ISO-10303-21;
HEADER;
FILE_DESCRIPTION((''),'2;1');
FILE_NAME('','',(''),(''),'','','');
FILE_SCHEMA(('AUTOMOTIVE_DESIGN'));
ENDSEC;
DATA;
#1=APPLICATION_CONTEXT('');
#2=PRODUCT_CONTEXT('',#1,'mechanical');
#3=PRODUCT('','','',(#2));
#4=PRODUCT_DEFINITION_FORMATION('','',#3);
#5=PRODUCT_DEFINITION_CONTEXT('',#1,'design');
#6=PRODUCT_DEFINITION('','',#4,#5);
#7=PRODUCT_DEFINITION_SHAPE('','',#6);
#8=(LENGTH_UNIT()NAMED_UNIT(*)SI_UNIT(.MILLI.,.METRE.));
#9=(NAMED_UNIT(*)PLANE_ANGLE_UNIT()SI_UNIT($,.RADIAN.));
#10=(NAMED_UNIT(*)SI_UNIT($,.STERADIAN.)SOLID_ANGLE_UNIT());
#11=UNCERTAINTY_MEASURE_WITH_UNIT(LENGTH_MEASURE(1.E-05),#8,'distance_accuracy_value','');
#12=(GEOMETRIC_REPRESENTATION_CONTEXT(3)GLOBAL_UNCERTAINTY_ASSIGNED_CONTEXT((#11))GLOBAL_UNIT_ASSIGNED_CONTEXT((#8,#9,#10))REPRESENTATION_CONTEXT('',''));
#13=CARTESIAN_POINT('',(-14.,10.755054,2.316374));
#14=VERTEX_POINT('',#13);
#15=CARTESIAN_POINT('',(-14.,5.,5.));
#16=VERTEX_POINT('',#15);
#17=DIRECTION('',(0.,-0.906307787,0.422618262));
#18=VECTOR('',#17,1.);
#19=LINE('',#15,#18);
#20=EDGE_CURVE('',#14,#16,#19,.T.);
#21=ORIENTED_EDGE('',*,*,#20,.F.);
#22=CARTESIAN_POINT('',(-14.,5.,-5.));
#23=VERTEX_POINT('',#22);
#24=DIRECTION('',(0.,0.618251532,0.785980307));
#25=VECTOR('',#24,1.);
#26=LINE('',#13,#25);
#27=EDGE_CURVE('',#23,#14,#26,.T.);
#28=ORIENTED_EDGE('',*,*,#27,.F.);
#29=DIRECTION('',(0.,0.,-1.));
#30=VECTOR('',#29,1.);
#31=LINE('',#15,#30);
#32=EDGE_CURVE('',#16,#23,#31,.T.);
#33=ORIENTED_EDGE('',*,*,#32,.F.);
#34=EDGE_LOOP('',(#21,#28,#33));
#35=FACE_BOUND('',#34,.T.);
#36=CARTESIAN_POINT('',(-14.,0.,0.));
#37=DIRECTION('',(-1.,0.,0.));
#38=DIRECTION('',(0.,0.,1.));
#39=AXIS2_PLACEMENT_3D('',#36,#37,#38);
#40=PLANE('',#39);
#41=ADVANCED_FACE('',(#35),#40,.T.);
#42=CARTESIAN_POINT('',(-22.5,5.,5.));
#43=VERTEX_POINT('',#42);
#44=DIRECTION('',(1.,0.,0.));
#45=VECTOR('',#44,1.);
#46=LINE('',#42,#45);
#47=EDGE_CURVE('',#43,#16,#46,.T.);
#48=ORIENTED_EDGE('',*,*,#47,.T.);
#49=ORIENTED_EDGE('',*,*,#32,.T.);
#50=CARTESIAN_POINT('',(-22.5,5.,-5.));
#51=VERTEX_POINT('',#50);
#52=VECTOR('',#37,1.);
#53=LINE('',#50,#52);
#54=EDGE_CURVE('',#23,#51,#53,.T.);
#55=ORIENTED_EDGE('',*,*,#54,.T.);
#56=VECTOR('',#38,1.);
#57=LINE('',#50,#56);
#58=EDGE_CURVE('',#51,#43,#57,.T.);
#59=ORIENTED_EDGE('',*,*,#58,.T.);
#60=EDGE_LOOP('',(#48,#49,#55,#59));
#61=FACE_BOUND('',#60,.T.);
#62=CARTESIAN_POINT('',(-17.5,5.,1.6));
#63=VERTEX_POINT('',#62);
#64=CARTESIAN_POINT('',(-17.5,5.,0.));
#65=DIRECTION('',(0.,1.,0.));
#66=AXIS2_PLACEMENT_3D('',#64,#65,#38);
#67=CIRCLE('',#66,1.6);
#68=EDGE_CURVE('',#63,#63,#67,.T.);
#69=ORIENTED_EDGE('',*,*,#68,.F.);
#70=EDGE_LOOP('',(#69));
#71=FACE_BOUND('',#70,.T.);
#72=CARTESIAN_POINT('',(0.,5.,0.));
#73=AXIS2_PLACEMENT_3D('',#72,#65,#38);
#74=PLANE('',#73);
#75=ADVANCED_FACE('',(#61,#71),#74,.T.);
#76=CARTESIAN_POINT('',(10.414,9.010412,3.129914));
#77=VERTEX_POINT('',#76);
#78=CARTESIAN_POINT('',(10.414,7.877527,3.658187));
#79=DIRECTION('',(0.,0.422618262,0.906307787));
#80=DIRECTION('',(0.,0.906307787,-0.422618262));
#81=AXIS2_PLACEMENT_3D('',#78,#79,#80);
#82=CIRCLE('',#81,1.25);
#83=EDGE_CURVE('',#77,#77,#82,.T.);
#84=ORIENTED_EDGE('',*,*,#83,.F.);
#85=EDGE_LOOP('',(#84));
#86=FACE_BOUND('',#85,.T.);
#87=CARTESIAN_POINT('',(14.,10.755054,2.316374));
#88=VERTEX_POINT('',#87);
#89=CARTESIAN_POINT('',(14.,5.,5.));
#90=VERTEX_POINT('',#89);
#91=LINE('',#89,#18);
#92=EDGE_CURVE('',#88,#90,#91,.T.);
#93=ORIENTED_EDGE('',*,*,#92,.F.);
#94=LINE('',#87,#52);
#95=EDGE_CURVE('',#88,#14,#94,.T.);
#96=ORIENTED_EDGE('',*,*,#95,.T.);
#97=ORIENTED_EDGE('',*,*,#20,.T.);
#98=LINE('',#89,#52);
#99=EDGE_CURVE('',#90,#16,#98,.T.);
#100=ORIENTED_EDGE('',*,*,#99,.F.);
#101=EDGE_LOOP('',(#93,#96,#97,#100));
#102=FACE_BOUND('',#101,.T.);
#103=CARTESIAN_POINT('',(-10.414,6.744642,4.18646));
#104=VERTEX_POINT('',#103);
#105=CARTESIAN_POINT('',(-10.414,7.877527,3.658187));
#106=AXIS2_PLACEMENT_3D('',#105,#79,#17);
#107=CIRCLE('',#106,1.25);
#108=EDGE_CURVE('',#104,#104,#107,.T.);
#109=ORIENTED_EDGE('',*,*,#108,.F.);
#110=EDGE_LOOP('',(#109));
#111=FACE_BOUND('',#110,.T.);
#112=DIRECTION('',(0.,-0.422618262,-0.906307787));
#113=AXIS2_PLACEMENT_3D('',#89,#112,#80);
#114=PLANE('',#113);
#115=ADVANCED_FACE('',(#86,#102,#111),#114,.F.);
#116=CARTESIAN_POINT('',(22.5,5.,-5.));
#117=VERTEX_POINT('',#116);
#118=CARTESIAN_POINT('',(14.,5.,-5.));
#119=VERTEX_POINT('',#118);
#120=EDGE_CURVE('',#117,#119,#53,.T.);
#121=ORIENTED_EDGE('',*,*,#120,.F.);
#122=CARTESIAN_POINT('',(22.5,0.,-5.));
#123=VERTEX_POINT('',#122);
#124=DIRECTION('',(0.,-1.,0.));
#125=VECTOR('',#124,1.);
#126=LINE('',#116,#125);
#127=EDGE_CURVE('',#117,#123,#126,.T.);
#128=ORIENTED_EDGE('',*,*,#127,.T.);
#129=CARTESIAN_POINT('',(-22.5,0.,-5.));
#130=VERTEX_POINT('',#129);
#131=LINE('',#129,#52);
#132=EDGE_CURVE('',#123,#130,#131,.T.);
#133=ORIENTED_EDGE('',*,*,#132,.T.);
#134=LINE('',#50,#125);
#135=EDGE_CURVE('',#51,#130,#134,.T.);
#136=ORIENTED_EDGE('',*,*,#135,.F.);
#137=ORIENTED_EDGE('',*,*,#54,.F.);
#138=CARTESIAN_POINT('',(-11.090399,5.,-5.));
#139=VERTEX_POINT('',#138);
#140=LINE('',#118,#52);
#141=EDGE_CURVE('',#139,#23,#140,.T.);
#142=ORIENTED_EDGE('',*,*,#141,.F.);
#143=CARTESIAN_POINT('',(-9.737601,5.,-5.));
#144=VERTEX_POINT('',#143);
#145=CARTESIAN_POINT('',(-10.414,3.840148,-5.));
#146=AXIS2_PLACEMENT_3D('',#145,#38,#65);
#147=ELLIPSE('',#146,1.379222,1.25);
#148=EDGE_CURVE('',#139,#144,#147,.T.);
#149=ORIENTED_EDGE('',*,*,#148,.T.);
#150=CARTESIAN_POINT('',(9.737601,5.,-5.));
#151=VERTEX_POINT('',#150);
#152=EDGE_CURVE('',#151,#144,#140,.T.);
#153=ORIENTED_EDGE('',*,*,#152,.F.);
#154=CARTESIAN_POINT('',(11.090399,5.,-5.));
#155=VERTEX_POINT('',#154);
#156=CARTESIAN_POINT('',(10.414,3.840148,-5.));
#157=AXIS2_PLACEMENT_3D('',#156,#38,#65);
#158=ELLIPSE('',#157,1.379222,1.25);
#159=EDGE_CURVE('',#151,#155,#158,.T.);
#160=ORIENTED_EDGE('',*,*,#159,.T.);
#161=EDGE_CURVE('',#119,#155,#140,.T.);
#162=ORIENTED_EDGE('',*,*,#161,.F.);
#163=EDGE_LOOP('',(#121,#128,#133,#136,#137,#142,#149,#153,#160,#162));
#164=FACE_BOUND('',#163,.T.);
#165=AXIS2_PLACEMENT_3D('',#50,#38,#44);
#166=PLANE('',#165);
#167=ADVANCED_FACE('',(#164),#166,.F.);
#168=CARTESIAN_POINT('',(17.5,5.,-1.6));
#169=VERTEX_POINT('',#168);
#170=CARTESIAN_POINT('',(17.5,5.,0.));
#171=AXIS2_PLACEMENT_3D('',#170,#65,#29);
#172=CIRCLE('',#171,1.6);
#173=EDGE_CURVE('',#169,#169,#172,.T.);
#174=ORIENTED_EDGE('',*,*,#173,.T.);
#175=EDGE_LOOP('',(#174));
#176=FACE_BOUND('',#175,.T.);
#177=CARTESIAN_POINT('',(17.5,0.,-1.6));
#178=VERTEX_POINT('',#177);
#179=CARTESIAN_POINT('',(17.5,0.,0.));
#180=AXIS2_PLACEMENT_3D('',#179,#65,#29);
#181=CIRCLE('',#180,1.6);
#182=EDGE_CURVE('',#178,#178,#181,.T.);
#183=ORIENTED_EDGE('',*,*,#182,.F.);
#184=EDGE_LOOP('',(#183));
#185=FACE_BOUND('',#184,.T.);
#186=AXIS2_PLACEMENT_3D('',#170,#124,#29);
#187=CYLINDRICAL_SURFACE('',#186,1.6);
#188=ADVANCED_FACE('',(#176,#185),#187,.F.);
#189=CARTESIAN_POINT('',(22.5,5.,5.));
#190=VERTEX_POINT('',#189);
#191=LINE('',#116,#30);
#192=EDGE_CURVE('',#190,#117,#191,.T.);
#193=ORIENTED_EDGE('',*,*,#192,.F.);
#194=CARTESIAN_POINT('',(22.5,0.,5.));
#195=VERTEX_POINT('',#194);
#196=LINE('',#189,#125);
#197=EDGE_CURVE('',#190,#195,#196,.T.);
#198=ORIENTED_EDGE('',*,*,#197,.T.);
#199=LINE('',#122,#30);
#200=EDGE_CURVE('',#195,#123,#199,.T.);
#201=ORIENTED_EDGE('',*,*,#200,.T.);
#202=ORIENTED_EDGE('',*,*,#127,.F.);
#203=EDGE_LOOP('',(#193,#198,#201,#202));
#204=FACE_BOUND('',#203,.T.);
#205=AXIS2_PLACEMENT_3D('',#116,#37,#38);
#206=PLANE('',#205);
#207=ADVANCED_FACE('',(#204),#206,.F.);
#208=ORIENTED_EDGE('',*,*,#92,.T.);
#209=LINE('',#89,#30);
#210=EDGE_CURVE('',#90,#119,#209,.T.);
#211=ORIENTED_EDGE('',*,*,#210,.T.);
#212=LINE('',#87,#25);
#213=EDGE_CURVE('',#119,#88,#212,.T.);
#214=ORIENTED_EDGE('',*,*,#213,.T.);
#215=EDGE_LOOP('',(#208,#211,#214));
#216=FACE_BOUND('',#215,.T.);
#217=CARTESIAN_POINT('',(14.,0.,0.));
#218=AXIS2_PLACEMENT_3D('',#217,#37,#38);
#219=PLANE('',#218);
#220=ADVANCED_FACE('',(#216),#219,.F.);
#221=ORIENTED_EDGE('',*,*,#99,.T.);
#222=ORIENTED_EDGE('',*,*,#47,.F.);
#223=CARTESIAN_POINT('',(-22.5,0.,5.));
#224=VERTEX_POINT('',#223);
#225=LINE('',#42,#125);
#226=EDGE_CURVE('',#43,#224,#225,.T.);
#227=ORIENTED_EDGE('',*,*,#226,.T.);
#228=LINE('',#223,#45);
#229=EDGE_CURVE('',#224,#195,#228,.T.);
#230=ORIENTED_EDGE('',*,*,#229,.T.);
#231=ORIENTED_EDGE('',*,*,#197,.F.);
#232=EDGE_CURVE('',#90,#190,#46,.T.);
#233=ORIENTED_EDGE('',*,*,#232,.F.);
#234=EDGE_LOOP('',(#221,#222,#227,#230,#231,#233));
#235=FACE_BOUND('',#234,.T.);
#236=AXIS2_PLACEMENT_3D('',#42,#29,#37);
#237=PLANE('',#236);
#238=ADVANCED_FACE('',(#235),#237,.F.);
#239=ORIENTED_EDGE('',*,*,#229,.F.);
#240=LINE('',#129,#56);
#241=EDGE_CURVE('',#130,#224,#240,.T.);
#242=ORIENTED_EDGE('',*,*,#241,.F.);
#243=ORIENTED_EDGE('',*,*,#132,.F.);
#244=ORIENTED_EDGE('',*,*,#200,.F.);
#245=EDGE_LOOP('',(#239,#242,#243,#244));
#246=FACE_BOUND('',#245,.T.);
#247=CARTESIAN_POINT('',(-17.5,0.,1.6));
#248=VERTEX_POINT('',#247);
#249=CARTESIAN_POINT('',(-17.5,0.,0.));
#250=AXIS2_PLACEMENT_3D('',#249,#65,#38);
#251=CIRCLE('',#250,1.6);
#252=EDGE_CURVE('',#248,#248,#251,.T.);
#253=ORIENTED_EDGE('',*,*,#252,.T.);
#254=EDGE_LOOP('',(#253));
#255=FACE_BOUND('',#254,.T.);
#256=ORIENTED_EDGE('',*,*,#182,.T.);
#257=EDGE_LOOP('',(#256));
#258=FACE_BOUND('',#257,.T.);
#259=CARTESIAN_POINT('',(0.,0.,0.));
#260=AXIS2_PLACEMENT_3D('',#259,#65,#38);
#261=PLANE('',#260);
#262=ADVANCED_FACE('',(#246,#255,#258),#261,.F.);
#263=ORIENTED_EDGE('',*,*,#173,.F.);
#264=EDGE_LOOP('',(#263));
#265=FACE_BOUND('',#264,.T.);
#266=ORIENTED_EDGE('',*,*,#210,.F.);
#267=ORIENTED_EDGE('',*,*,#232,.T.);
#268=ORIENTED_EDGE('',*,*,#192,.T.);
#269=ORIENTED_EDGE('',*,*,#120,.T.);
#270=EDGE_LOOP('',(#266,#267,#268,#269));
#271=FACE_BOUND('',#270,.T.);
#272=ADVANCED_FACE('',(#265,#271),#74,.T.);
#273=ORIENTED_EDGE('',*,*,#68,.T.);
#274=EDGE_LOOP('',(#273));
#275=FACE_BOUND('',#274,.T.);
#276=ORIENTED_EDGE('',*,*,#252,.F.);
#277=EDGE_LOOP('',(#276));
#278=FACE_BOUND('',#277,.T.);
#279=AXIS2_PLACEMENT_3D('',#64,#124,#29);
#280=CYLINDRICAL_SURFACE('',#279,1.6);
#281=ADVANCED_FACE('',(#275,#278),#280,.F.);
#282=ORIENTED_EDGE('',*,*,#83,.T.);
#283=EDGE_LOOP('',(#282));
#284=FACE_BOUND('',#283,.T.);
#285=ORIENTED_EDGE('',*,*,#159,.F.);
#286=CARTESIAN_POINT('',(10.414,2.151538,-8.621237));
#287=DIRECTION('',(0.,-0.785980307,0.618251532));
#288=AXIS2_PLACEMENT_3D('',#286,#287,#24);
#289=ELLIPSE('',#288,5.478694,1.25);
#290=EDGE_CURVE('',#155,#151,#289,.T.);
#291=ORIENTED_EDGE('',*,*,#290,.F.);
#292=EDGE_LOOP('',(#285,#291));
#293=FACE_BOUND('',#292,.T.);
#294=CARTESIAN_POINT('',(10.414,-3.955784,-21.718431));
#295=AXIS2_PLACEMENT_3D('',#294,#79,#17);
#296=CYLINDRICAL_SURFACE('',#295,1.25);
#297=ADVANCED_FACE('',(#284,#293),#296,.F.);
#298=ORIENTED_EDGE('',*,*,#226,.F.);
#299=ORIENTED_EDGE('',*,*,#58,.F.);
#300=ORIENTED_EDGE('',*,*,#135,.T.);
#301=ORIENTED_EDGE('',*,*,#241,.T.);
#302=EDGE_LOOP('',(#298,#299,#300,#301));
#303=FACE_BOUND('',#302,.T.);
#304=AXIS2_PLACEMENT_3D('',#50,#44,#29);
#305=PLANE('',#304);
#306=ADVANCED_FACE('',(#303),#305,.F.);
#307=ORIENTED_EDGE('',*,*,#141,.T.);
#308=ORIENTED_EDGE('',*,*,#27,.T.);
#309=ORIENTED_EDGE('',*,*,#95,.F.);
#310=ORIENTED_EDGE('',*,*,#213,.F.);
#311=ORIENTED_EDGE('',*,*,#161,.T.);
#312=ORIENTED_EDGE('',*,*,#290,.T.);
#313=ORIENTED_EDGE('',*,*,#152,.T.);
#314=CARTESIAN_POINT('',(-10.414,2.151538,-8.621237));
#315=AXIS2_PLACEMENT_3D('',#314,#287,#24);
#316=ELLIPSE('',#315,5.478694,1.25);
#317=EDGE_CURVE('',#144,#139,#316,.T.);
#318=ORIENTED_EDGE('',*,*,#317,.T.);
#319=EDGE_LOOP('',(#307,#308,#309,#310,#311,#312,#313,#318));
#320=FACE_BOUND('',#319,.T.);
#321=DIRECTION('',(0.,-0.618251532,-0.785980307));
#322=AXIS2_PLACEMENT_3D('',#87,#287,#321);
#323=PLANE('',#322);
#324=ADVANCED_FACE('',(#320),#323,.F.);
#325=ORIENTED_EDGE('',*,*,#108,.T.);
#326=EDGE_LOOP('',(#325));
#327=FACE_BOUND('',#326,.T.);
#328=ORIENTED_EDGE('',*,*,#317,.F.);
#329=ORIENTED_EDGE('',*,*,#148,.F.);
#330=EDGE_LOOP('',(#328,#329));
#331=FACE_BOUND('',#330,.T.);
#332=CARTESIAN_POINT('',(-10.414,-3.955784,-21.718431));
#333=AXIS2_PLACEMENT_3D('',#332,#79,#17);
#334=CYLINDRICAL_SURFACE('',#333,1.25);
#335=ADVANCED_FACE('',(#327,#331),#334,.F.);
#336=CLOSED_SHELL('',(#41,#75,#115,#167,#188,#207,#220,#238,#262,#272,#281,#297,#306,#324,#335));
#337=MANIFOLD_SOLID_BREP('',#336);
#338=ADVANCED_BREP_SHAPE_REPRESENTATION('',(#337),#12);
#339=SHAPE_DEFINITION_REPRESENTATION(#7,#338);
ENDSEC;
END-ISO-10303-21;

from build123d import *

# Parameters (mm, degrees)
SKETCH1_W           = 45
SKETCH1_H           = 10
SKETCH1_R           = 1.6
BOSS_EXTRUDE2_DEPTH = 5
BOSS_EXTRUDE3_DEPTH = 14
SKETCH4_R           = 1.25
CUT_EXTRUDE1_DEPTH  = 28


with BuildPart() as part:
    # Sketch1 → Boss-Extrude2 (new body)
    with BuildSketch(Plane(origin=(0, 0, 0), x_dir=(1, 0, 0), z_dir=(0, 1, 0))):
        Rectangle(SKETCH1_W, SKETCH1_H)
        with Locations((-17.5, 0)):
            Circle(SKETCH1_R, mode=Mode.SUBTRACT)
        with Locations((17.5, 0)):
            Circle(SKETCH1_R, mode=Mode.SUBTRACT)
    extrude(amount=BOSS_EXTRUDE2_DEPTH)

    # Sketch3 → Boss-Extrude3 (add, symmetric)
    with BuildSketch(Plane(origin=(0, 0, 0), x_dir=(0, 0, -1), z_dir=(1, 0, 0))):
        Polygon((-5, 5), (5, 5), (-2.316374038, 10.755054448), align=None)
    extrude(amount=BOSS_EXTRUDE3_DEPTH, both=True)

    # Sketch4 → Cut-Extrude1 (cut)
    with BuildSketch(Plane(origin=(0, 2.808142084, 6.022080132), x_dir=(1, 0, 0), z_dir=(0, 0.422618262, 0.906307787))):
        with Locations((-10.414, 5.593447626)):
            Circle(SKETCH4_R)
        with Locations((10.414, 5.593447626)):
            Circle(SKETCH4_R)
    extrude(amount=-CUT_EXTRUDE1_DEPTH, mode=Mode.SUBTRACT)


solid = part.part
